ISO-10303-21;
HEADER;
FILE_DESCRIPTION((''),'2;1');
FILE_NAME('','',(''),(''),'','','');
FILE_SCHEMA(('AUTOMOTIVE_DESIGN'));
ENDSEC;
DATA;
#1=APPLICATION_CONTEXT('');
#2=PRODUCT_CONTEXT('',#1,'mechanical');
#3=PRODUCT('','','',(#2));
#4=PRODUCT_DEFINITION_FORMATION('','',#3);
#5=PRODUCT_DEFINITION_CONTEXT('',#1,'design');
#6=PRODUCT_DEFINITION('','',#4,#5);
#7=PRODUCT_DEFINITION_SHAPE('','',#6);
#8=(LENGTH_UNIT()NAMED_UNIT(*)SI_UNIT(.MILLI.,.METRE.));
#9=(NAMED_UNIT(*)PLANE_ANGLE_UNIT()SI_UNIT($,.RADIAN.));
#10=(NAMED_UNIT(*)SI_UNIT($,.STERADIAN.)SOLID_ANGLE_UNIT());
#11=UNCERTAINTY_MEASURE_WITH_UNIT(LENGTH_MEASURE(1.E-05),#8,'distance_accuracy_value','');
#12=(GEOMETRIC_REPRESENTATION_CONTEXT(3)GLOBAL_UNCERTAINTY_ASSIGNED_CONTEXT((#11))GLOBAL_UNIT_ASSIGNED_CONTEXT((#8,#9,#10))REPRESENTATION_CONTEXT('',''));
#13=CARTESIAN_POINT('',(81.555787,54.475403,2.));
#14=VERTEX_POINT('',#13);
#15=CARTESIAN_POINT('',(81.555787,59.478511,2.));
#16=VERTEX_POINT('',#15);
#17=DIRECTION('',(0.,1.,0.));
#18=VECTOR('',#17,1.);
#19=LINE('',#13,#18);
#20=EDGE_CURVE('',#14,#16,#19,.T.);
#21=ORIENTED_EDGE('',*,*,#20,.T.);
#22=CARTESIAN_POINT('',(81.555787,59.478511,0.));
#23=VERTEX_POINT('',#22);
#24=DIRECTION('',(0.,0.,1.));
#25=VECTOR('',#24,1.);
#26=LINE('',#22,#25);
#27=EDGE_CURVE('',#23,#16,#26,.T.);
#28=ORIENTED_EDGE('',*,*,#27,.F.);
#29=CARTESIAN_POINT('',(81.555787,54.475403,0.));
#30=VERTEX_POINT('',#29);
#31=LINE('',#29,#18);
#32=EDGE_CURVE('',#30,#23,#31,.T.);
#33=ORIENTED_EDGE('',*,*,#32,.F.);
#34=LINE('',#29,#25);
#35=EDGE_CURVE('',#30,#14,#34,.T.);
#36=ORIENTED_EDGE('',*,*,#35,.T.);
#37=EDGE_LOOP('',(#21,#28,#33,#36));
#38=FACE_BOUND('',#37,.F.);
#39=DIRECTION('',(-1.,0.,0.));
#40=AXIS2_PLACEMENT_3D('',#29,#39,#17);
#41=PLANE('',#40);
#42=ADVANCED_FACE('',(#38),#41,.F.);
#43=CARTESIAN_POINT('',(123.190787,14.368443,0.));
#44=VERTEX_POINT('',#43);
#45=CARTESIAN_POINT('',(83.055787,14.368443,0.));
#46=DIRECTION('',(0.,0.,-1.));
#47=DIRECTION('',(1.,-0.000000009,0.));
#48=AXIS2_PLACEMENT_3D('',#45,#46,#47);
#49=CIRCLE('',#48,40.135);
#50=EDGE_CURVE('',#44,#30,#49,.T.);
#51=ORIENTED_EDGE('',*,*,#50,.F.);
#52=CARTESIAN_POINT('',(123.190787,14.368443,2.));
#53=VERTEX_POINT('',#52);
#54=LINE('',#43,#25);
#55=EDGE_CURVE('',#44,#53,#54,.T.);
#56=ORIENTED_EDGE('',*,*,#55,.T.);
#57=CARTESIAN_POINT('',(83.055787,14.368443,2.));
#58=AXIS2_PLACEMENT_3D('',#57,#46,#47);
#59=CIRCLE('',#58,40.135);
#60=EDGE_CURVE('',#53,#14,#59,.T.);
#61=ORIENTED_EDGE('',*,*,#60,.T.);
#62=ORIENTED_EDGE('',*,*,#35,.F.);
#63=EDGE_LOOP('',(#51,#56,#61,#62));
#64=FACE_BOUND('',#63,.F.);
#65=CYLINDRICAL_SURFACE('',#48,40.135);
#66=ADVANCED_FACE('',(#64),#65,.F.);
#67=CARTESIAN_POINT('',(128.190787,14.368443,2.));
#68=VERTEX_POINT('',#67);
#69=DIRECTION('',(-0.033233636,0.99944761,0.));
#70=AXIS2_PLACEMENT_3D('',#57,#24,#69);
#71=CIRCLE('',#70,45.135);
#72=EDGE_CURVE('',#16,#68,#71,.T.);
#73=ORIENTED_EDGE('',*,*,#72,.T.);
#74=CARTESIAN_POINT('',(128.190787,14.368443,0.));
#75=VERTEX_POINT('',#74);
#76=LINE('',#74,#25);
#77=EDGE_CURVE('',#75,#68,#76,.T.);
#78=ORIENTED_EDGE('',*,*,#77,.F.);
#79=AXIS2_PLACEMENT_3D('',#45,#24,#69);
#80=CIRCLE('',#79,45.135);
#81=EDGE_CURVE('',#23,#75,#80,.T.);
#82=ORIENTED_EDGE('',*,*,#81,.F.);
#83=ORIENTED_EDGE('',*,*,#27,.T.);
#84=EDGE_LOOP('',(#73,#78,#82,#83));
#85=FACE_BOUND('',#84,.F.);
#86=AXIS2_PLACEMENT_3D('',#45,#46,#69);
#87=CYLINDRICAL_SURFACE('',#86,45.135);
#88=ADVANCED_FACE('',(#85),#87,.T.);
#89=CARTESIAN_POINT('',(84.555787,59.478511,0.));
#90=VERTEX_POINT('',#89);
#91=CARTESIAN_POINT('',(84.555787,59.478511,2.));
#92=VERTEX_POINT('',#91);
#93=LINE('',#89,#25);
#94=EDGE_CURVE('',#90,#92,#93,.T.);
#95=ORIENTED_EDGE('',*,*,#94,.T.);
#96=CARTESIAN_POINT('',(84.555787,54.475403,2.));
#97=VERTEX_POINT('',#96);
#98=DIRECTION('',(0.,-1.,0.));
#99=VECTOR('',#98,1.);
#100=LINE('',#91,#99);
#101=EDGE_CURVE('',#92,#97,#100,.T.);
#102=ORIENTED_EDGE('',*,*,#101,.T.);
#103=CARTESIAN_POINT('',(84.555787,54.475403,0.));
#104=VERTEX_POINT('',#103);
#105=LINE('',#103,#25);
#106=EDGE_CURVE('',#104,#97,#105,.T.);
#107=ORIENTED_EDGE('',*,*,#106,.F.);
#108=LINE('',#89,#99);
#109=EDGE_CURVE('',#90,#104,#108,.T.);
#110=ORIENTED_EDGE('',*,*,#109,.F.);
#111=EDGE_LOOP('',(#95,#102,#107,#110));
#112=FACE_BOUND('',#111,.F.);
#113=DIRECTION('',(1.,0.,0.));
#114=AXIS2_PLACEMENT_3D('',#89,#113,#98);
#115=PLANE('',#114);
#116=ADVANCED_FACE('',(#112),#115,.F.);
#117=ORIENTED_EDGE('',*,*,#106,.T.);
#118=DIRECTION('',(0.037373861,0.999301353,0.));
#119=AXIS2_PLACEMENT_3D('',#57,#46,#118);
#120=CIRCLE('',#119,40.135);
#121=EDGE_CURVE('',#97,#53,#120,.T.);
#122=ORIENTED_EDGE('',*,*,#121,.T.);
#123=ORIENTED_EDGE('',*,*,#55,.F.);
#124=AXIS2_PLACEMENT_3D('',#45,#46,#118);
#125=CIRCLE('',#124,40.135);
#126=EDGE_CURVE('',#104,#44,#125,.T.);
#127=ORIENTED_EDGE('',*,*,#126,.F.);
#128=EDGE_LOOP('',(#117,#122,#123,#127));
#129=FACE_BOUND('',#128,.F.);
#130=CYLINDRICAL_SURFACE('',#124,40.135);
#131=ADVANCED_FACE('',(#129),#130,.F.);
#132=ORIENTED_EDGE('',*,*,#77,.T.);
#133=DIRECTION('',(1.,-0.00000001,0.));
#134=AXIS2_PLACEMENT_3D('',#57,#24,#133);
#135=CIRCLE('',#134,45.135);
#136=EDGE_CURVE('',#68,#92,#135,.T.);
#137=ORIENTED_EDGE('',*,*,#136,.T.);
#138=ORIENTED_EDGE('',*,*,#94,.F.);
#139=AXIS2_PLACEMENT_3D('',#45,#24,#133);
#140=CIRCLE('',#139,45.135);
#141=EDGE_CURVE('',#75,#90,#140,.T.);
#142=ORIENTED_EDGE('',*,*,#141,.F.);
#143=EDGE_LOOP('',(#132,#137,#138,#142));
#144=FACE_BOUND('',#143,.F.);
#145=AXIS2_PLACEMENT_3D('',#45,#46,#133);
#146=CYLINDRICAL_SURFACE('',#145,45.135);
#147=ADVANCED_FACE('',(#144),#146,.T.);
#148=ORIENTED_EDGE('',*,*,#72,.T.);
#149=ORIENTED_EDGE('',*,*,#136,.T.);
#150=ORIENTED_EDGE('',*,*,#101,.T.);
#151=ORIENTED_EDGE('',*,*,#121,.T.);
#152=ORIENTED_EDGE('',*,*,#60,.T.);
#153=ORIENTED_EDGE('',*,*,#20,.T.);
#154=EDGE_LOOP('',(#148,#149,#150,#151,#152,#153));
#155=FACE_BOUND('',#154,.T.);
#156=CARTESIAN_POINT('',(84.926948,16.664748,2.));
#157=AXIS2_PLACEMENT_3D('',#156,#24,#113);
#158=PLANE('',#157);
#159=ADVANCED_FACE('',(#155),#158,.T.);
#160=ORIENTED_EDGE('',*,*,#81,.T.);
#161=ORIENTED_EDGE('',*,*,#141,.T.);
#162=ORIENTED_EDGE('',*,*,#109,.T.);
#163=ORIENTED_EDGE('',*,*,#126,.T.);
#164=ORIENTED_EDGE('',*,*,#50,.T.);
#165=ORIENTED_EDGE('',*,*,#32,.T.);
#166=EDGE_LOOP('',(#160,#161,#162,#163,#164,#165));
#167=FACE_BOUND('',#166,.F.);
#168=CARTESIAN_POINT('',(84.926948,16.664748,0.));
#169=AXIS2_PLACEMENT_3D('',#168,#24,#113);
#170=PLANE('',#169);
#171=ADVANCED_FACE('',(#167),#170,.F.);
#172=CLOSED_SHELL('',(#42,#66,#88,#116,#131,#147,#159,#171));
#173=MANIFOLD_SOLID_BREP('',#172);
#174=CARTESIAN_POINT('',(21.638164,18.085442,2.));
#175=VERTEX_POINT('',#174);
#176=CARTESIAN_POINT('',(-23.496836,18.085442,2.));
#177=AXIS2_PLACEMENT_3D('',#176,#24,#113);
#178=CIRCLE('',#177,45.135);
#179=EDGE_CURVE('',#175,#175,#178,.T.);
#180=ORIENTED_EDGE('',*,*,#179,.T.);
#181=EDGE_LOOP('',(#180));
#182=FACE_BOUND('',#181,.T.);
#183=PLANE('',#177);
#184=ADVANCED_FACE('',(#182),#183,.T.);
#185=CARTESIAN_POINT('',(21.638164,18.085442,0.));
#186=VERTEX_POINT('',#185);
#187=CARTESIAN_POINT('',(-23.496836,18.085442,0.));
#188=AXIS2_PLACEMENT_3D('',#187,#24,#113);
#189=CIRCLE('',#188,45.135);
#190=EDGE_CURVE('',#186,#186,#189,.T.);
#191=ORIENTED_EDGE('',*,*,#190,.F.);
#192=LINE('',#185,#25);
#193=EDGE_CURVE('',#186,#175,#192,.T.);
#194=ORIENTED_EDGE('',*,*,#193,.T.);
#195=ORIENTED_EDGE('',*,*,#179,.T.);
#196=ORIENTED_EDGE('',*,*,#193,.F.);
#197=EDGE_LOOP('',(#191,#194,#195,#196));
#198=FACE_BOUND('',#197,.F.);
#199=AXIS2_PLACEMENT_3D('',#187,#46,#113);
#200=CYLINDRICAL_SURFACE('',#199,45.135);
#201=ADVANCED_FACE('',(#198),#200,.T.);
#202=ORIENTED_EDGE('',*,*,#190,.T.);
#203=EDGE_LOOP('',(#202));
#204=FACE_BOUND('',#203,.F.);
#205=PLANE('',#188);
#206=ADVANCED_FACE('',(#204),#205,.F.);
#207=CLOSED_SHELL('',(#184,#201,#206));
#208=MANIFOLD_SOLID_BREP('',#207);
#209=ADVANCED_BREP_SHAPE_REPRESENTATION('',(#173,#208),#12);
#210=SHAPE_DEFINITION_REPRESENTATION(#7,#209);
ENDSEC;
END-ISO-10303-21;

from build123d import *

# Parameters (mm, degrees)
F0_R     = 45.135
F2_DEPTH = 2
F3_DEPTH = 2


with BuildPart() as f2:
    # F0 (on Top) → F2 (new body)
    with BuildSketch(Plane.XY):
        with Locations((-23.496836, 18.085442)):
            Circle(F0_R)
    extrude(amount=F2_DEPTH)


with BuildPart() as f3:
    # F1 (on Top) → F3 (new body)
    with BuildSketch(Plane.XY):
        with BuildLine():
            ThreePointArc((81.555787, 59.478511), (51.675334, -18.072817), (128.190787, 14.368443))
            ThreePointArc((128.190787, 14.368443), (115.497047, 45.748897), (84.555787, 59.478511))
            Line((84.555787, 59.478511), (84.555787, 54.475403))
            ThreePointArc((84.555787, 54.475403), (111.960983, 42.212794), (123.190787, 14.368443))
            ThreePointArc((123.190787, 14.368443), (55.211437, -14.536753), (81.555787, 54.475403))
            Line((81.555787, 54.475403), (81.555787, 59.478511))
        make_face()
    extrude(amount=F3_DEPTH)


solid = Compound([f2.part, f3.part])
